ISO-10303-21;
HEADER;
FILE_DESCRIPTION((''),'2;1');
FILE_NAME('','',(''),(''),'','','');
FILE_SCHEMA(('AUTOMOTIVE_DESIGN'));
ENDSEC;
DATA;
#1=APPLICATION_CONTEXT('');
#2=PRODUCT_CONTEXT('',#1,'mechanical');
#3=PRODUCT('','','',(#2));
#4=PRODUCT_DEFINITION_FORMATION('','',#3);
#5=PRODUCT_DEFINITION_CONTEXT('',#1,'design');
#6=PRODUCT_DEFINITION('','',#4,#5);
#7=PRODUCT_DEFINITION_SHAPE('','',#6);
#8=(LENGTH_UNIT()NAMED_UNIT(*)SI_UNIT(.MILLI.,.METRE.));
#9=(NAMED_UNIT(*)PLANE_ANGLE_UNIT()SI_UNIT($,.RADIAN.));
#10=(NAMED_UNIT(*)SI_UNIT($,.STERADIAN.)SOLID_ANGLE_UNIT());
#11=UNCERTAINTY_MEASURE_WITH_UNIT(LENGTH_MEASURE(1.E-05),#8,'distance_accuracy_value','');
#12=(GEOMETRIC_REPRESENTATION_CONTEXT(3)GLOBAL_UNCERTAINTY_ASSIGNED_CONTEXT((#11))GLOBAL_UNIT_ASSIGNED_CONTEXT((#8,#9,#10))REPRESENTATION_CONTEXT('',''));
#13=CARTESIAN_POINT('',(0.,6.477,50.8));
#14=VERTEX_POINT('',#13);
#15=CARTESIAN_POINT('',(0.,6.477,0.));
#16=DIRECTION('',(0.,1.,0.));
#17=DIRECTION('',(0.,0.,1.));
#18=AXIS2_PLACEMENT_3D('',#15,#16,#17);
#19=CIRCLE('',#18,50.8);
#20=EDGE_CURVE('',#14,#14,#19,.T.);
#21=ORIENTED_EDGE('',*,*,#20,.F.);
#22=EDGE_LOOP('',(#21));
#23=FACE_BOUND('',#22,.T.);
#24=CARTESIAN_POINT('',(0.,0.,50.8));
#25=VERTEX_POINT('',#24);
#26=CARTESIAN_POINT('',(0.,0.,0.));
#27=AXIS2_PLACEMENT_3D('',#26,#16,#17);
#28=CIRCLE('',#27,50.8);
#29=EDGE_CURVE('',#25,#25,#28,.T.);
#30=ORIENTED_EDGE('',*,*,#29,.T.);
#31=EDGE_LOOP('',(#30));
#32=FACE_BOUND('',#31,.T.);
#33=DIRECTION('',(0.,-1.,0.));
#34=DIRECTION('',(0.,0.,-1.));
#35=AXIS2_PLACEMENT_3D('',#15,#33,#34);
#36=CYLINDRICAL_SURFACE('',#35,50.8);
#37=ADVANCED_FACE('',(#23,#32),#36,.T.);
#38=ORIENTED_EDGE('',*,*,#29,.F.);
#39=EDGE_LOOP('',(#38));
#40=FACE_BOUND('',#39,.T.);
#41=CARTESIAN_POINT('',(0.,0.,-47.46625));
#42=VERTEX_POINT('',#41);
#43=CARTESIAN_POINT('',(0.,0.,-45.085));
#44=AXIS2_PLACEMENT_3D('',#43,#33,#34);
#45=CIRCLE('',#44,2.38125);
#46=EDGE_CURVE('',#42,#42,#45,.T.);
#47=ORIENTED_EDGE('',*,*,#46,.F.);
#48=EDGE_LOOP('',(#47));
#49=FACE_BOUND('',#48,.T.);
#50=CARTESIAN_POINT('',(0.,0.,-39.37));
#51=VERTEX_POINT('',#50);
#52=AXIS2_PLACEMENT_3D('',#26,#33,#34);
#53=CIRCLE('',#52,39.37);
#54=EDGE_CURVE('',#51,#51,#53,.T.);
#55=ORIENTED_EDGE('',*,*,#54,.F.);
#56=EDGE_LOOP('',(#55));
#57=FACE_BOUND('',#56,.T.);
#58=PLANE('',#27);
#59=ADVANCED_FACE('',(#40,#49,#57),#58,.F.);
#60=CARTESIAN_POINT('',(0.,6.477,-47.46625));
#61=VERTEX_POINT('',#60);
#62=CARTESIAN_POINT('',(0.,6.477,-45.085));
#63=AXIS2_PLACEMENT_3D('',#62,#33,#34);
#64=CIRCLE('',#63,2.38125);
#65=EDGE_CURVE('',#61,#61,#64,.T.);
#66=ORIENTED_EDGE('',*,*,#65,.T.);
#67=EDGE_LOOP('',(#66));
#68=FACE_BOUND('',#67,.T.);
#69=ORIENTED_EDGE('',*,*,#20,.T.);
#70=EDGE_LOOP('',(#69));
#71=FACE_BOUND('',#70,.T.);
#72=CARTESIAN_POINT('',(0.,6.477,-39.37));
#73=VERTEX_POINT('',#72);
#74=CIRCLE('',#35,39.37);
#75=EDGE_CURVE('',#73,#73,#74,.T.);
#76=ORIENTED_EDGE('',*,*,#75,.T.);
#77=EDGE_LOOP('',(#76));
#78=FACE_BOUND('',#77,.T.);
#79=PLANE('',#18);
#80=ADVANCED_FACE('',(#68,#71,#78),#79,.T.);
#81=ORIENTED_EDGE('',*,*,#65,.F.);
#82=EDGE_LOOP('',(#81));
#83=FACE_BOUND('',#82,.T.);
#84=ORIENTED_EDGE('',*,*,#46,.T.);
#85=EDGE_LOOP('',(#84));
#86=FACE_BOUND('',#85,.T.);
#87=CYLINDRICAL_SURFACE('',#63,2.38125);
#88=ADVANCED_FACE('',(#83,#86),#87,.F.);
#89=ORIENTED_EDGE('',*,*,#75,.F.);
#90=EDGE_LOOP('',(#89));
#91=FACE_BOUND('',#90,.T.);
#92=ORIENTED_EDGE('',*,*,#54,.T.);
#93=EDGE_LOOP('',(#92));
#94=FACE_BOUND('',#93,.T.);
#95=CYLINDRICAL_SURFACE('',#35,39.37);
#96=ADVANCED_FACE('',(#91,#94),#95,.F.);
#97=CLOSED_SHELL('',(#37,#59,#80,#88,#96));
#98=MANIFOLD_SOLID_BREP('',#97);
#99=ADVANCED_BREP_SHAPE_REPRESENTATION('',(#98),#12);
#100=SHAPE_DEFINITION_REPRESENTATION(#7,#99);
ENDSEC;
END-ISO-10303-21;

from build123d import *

# Parameters (mm, degrees)
SKETCH1_R           = 50.8
BOSS_EXTRUDE1_DEPTH = 6.477
SKETCH3_R           = 39.37
CUT_EXTRUDE1_DEPTH  = 6.477
SKETCH4_R           = 2.38125
CUT_EXTRUDE2_DEPTH  = 6.477


with BuildPart() as part:
    # Sketch1 → Boss-Extrude1 (new body)
    with BuildSketch(Plane(origin=(0, 0, 0), x_dir=(1, 0, 0), z_dir=(0, 1, 0))):
        with Locations(Location((0, 0, 0), (0, 0, 270))):
            Circle(SKETCH1_R)
    extrude(amount=BOSS_EXTRUDE1_DEPTH)

    # Sketch3 → Cut-Extrude1 (cut)
    with BuildSketch(Plane(origin=(0, 0, 0), x_dir=(-1, 0, 0), z_dir=(0, -1, 0))):
        with Locations(Location((0, 0, 0), (0, 0, 90))):
            Circle(SKETCH3_R)
    extrude(amount=-CUT_EXTRUDE1_DEPTH, mode=Mode.SUBTRACT)

    # Sketch4 → Cut-Extrude2 (cut)
    with BuildSketch(Plane.XZ):
        with Locations(Location((0, -45.085, 0), (0, 0, 270))):
            Circle(SKETCH4_R)
    extrude(amount=-CUT_EXTRUDE2_DEPTH, mode=Mode.SUBTRACT)


solid = part.part
